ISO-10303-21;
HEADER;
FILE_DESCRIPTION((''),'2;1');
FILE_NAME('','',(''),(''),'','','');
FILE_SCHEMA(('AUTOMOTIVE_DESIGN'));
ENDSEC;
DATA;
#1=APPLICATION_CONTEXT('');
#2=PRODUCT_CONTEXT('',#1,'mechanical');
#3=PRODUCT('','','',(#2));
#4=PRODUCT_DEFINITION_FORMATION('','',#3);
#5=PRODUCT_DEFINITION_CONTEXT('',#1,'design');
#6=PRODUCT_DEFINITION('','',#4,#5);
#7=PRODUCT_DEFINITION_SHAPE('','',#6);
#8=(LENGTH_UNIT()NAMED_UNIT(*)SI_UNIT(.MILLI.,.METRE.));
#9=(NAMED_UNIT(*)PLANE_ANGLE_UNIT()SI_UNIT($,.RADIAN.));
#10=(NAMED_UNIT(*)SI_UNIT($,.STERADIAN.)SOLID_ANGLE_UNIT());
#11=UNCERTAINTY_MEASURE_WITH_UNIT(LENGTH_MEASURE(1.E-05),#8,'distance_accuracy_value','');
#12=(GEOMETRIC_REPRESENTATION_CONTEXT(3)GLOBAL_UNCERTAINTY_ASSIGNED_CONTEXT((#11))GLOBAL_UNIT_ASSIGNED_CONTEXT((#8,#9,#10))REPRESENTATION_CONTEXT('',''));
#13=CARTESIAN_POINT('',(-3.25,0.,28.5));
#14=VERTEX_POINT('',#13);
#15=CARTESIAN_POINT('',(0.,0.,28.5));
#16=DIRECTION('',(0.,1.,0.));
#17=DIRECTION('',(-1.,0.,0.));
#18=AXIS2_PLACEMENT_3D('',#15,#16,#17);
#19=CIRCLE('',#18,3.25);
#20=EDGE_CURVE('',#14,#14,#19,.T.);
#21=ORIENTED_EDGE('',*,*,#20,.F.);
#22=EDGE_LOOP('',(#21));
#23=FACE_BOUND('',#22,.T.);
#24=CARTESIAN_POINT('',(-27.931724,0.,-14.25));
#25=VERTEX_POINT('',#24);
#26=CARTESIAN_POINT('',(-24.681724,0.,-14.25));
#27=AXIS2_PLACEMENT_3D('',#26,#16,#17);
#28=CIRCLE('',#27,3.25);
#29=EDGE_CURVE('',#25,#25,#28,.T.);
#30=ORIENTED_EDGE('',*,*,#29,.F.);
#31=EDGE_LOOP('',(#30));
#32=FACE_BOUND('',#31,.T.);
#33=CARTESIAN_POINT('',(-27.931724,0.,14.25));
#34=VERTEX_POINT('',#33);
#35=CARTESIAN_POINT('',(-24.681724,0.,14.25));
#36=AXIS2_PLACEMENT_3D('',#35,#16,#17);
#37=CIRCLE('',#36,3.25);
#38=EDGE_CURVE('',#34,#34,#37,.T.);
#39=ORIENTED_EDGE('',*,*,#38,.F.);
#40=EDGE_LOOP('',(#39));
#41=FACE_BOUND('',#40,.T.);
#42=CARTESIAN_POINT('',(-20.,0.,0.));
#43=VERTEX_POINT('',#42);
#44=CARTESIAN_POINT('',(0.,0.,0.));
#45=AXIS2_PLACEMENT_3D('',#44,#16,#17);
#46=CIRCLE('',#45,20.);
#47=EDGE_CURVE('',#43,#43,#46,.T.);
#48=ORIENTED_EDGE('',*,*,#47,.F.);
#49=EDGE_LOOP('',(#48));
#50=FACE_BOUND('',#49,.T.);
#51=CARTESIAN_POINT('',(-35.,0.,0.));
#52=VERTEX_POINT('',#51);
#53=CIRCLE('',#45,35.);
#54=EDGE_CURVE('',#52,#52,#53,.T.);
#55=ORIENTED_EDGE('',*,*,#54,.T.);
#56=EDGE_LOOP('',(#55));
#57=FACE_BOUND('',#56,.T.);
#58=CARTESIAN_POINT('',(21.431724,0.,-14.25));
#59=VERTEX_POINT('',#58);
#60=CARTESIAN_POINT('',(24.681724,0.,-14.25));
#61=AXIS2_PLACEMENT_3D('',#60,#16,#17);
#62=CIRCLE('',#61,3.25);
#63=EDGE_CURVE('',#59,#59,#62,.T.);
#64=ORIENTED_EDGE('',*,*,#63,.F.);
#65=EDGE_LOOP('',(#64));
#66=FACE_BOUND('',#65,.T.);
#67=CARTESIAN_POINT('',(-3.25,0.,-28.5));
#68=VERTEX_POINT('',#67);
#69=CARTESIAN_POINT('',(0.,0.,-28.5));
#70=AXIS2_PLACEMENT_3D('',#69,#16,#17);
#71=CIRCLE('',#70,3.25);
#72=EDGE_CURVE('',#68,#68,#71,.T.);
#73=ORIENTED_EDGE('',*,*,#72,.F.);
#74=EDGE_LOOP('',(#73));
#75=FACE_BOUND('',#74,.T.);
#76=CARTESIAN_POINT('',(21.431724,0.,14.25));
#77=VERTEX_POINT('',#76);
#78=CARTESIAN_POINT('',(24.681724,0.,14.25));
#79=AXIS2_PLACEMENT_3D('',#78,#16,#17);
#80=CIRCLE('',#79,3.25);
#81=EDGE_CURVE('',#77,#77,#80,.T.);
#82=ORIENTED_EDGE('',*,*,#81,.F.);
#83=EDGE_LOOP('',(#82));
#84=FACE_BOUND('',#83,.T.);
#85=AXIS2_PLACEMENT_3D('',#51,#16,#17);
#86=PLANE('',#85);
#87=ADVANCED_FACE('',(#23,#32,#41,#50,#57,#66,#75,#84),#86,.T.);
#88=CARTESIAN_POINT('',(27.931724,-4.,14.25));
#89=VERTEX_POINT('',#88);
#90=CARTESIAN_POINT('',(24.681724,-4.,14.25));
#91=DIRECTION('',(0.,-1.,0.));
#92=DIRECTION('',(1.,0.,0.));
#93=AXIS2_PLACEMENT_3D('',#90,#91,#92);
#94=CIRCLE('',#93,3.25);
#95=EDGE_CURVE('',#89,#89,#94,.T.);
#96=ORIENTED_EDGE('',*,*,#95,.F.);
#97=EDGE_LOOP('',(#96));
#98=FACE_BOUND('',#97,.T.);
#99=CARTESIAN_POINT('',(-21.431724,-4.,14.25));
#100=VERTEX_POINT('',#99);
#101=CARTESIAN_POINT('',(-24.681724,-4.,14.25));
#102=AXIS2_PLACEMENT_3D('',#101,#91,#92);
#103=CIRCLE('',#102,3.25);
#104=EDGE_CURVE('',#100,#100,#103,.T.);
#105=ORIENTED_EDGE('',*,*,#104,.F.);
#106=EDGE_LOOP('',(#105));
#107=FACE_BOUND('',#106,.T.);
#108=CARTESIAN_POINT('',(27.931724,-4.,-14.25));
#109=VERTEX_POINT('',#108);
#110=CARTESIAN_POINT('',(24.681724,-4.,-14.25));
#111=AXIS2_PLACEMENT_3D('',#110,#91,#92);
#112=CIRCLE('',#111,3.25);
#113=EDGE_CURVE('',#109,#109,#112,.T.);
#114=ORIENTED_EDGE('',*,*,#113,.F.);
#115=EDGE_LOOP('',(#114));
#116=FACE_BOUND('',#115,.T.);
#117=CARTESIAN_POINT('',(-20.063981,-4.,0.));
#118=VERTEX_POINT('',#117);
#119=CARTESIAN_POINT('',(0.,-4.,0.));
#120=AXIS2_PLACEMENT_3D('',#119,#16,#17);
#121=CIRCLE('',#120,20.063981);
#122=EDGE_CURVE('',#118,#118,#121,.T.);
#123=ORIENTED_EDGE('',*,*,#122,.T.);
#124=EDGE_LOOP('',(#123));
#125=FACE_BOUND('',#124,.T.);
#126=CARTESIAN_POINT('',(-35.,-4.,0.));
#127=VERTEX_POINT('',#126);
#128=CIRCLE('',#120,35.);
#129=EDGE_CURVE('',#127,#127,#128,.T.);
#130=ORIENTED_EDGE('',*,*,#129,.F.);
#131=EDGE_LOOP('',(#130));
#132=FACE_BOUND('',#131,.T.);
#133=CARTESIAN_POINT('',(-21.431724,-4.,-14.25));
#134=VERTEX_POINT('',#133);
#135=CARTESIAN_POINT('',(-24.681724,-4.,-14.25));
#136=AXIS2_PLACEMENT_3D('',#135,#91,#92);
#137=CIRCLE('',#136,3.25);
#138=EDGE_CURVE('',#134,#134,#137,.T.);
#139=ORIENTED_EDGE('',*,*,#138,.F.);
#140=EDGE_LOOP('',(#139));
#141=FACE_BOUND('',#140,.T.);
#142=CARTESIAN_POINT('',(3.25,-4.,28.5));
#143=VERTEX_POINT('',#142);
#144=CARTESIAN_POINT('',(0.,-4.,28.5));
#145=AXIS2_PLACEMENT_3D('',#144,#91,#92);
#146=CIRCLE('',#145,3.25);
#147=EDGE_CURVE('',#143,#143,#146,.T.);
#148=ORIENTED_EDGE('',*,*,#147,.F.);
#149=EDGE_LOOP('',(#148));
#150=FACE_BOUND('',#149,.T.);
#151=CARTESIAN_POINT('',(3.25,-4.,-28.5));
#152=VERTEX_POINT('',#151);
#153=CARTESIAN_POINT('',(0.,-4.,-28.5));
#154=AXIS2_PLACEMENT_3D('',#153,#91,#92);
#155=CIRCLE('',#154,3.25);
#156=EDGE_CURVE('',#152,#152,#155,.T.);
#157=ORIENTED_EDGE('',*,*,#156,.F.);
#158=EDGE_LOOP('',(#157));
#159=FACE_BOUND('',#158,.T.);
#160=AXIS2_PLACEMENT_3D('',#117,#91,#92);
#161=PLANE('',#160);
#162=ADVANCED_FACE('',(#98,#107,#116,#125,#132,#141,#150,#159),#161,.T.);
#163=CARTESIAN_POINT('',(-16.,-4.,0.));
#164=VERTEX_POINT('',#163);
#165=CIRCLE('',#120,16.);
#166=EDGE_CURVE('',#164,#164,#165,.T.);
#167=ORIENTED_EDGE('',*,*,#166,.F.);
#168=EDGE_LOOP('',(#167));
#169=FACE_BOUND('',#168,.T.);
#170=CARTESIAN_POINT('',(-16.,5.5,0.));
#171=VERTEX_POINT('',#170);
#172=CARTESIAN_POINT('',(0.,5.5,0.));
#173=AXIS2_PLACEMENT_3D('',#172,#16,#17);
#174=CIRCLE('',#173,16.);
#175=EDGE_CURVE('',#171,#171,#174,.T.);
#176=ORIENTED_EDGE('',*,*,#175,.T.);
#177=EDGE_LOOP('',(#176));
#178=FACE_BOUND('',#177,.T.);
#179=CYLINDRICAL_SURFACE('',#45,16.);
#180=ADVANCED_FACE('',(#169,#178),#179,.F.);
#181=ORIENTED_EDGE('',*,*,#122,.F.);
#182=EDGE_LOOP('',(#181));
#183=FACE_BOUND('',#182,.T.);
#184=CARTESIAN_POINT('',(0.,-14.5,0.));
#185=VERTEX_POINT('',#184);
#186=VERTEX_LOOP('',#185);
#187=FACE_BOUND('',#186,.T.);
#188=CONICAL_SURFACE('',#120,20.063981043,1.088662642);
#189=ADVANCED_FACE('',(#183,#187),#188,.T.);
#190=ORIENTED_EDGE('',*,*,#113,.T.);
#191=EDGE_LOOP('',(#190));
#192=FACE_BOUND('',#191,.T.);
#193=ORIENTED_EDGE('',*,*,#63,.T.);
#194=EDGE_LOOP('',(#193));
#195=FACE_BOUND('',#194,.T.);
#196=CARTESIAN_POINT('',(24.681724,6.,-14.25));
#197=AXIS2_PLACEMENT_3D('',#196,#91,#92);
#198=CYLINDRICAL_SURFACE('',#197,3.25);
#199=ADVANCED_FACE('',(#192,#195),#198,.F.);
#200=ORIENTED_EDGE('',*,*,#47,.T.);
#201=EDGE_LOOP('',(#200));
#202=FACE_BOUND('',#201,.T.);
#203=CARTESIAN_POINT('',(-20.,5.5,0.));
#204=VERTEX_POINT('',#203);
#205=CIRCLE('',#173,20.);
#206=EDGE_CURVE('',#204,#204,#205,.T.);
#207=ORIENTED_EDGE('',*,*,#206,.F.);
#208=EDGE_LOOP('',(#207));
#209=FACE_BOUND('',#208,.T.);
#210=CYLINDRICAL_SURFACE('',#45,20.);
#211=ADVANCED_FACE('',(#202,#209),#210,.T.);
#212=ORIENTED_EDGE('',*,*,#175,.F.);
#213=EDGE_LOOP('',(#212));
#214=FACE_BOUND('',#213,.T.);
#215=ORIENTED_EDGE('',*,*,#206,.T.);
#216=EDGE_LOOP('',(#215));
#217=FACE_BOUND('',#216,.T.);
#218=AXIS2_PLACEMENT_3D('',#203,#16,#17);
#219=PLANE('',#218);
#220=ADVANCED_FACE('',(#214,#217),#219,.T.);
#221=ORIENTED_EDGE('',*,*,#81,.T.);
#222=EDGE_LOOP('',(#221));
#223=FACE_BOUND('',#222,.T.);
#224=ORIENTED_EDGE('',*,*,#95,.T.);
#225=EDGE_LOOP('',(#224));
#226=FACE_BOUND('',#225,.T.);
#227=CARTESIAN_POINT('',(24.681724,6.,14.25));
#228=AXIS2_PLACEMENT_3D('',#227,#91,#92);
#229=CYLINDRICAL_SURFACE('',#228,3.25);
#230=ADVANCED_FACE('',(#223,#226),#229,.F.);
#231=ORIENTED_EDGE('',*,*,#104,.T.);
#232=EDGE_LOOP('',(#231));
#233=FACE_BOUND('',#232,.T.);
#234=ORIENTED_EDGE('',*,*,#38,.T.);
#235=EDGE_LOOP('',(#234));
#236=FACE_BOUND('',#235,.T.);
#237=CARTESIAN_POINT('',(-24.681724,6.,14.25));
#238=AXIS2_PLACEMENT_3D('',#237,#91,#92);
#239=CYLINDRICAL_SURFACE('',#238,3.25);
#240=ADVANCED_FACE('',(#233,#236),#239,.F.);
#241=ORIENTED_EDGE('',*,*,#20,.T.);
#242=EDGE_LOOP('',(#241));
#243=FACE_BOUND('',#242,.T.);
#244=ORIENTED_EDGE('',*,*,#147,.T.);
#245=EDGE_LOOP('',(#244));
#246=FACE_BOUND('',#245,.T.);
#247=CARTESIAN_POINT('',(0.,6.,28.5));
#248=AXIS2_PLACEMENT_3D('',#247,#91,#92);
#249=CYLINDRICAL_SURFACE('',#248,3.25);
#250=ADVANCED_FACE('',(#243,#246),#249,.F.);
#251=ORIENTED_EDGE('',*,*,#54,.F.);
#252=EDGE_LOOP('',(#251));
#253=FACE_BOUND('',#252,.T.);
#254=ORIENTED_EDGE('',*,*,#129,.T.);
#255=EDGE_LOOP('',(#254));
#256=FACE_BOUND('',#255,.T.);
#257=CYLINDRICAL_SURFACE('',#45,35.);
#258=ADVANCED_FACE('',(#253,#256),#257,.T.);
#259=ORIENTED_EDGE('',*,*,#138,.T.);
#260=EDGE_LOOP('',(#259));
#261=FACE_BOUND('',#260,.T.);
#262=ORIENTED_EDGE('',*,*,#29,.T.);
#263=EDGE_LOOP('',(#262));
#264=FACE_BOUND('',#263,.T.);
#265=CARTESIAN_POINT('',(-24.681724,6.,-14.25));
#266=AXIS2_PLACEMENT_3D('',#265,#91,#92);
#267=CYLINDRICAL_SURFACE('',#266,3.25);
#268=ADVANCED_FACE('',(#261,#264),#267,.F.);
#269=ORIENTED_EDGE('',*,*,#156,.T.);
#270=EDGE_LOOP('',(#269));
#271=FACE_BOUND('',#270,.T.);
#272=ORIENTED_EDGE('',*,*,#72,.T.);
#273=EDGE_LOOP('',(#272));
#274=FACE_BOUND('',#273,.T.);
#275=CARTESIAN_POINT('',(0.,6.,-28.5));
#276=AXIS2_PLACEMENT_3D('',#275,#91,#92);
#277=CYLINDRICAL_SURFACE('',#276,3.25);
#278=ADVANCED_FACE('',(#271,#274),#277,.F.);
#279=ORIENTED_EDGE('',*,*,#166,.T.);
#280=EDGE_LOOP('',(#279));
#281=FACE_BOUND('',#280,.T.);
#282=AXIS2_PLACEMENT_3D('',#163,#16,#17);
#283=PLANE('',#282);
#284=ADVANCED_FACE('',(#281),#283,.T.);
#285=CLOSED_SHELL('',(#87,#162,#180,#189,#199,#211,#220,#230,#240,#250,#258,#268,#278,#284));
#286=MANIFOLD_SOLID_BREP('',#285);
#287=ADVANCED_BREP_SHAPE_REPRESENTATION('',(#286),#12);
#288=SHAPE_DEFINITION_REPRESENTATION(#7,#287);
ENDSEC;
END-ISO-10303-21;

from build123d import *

# Parameters (mm, degrees)
SKETCH2_R          = 3.25
CUT_EXTRUDE1_DEPTH = 10


with BuildPart() as part:
    # Sketch1 → Revolve1 (revolve)
    with BuildSketch(Plane.XY):
        Polygon((0, -4), (0, -14.5), (-20.063981043, -4), (-35, -4), (-35, 0), (-20, 0), (-20, 5.5), (-16, 5.5), (-16, -4), align=None)
    revolve(axis=Axis((0, 0, 0), (0, -1, 0)))

    # Sketch2 → Cut-Extrude1 (cut)
    with BuildSketch(Plane.XZ.offset(4)):
        with Locations((0, 28.5)):
            Circle(SKETCH2_R)
        with Locations((24.681724008, 14.25)):
            Circle(SKETCH2_R)
        with Locations((24.681724008, -14.25)):
            Circle(SKETCH2_R)
        with Locations((0, -28.5)):
            Circle(SKETCH2_R)
        with Locations((-24.681724008, -14.25)):
            Circle(SKETCH2_R)
        with Locations((-24.681724008, 14.25)):
            Circle(SKETCH2_R)
    extrude(amount=-CUT_EXTRUDE1_DEPTH, mode=Mode.SUBTRACT)


solid = part.part
